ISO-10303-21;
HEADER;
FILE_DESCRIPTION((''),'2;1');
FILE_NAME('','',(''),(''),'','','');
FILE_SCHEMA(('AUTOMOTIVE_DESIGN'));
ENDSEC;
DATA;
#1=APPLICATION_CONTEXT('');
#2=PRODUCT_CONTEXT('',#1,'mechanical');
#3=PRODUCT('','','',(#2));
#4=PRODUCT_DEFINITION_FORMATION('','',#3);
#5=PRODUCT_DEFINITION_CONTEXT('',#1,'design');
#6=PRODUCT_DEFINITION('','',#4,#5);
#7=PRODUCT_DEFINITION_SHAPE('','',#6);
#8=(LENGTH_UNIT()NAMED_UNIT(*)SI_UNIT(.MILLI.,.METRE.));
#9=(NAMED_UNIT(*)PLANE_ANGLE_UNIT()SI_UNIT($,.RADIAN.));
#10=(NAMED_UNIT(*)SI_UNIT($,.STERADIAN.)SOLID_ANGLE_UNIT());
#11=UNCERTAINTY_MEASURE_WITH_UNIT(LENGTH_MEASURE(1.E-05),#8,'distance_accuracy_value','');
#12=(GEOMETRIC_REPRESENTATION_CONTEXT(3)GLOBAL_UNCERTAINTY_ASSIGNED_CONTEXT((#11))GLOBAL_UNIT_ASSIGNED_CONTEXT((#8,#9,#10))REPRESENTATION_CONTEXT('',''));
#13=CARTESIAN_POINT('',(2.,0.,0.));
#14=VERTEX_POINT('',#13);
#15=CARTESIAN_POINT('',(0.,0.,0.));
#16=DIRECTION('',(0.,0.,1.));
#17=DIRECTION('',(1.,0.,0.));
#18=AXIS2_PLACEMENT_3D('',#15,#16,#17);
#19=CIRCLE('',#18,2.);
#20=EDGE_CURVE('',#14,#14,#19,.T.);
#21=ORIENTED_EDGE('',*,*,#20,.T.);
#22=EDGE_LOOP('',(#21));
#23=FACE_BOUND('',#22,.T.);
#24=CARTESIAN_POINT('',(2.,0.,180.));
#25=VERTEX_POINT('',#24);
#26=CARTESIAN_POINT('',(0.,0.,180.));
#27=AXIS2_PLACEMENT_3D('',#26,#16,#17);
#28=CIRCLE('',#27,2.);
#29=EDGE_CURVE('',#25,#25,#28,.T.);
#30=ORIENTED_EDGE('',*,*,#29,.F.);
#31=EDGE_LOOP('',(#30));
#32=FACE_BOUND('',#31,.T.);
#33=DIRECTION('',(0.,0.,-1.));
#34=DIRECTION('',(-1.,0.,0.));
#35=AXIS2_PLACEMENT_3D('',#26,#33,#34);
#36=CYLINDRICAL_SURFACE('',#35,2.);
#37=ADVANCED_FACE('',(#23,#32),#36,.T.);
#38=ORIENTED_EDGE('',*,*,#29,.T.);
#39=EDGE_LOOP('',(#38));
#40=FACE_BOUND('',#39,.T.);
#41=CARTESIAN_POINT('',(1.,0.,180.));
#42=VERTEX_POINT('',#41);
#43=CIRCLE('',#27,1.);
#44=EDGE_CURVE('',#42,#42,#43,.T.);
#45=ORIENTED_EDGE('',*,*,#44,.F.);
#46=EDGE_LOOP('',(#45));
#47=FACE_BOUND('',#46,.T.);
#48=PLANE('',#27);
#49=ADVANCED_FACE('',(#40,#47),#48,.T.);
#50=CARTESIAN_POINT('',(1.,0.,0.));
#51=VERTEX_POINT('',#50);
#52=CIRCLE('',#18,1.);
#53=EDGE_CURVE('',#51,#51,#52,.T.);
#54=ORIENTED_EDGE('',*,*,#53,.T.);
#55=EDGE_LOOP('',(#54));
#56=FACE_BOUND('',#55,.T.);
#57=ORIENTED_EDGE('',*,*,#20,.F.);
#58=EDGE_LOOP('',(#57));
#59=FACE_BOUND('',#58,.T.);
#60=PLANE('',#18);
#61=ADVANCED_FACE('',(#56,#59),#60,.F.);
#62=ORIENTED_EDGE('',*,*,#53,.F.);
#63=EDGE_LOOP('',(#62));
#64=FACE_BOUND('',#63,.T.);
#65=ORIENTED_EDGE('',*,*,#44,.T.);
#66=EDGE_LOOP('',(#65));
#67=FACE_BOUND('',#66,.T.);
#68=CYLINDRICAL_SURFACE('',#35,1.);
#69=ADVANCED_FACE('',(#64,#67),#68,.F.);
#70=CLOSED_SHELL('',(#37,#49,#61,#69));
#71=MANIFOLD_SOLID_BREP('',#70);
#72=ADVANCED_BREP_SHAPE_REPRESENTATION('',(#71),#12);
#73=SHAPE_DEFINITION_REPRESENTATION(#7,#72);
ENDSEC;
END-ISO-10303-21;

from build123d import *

# Parameters (mm, degrees)
SKETCH_1_R      = 2
SKETCH_1_R_2    = 1
EXTRUDE_1_DEPTH = 180


with BuildPart() as part:
    # 草图1 → 凸台-拉伸1 (new body)
    with BuildSketch(Plane.XY):
        Circle(SKETCH_1_R)
        Circle(SKETCH_1_R_2, mode=Mode.SUBTRACT)
    extrude(amount=EXTRUDE_1_DEPTH)


solid = part.part
